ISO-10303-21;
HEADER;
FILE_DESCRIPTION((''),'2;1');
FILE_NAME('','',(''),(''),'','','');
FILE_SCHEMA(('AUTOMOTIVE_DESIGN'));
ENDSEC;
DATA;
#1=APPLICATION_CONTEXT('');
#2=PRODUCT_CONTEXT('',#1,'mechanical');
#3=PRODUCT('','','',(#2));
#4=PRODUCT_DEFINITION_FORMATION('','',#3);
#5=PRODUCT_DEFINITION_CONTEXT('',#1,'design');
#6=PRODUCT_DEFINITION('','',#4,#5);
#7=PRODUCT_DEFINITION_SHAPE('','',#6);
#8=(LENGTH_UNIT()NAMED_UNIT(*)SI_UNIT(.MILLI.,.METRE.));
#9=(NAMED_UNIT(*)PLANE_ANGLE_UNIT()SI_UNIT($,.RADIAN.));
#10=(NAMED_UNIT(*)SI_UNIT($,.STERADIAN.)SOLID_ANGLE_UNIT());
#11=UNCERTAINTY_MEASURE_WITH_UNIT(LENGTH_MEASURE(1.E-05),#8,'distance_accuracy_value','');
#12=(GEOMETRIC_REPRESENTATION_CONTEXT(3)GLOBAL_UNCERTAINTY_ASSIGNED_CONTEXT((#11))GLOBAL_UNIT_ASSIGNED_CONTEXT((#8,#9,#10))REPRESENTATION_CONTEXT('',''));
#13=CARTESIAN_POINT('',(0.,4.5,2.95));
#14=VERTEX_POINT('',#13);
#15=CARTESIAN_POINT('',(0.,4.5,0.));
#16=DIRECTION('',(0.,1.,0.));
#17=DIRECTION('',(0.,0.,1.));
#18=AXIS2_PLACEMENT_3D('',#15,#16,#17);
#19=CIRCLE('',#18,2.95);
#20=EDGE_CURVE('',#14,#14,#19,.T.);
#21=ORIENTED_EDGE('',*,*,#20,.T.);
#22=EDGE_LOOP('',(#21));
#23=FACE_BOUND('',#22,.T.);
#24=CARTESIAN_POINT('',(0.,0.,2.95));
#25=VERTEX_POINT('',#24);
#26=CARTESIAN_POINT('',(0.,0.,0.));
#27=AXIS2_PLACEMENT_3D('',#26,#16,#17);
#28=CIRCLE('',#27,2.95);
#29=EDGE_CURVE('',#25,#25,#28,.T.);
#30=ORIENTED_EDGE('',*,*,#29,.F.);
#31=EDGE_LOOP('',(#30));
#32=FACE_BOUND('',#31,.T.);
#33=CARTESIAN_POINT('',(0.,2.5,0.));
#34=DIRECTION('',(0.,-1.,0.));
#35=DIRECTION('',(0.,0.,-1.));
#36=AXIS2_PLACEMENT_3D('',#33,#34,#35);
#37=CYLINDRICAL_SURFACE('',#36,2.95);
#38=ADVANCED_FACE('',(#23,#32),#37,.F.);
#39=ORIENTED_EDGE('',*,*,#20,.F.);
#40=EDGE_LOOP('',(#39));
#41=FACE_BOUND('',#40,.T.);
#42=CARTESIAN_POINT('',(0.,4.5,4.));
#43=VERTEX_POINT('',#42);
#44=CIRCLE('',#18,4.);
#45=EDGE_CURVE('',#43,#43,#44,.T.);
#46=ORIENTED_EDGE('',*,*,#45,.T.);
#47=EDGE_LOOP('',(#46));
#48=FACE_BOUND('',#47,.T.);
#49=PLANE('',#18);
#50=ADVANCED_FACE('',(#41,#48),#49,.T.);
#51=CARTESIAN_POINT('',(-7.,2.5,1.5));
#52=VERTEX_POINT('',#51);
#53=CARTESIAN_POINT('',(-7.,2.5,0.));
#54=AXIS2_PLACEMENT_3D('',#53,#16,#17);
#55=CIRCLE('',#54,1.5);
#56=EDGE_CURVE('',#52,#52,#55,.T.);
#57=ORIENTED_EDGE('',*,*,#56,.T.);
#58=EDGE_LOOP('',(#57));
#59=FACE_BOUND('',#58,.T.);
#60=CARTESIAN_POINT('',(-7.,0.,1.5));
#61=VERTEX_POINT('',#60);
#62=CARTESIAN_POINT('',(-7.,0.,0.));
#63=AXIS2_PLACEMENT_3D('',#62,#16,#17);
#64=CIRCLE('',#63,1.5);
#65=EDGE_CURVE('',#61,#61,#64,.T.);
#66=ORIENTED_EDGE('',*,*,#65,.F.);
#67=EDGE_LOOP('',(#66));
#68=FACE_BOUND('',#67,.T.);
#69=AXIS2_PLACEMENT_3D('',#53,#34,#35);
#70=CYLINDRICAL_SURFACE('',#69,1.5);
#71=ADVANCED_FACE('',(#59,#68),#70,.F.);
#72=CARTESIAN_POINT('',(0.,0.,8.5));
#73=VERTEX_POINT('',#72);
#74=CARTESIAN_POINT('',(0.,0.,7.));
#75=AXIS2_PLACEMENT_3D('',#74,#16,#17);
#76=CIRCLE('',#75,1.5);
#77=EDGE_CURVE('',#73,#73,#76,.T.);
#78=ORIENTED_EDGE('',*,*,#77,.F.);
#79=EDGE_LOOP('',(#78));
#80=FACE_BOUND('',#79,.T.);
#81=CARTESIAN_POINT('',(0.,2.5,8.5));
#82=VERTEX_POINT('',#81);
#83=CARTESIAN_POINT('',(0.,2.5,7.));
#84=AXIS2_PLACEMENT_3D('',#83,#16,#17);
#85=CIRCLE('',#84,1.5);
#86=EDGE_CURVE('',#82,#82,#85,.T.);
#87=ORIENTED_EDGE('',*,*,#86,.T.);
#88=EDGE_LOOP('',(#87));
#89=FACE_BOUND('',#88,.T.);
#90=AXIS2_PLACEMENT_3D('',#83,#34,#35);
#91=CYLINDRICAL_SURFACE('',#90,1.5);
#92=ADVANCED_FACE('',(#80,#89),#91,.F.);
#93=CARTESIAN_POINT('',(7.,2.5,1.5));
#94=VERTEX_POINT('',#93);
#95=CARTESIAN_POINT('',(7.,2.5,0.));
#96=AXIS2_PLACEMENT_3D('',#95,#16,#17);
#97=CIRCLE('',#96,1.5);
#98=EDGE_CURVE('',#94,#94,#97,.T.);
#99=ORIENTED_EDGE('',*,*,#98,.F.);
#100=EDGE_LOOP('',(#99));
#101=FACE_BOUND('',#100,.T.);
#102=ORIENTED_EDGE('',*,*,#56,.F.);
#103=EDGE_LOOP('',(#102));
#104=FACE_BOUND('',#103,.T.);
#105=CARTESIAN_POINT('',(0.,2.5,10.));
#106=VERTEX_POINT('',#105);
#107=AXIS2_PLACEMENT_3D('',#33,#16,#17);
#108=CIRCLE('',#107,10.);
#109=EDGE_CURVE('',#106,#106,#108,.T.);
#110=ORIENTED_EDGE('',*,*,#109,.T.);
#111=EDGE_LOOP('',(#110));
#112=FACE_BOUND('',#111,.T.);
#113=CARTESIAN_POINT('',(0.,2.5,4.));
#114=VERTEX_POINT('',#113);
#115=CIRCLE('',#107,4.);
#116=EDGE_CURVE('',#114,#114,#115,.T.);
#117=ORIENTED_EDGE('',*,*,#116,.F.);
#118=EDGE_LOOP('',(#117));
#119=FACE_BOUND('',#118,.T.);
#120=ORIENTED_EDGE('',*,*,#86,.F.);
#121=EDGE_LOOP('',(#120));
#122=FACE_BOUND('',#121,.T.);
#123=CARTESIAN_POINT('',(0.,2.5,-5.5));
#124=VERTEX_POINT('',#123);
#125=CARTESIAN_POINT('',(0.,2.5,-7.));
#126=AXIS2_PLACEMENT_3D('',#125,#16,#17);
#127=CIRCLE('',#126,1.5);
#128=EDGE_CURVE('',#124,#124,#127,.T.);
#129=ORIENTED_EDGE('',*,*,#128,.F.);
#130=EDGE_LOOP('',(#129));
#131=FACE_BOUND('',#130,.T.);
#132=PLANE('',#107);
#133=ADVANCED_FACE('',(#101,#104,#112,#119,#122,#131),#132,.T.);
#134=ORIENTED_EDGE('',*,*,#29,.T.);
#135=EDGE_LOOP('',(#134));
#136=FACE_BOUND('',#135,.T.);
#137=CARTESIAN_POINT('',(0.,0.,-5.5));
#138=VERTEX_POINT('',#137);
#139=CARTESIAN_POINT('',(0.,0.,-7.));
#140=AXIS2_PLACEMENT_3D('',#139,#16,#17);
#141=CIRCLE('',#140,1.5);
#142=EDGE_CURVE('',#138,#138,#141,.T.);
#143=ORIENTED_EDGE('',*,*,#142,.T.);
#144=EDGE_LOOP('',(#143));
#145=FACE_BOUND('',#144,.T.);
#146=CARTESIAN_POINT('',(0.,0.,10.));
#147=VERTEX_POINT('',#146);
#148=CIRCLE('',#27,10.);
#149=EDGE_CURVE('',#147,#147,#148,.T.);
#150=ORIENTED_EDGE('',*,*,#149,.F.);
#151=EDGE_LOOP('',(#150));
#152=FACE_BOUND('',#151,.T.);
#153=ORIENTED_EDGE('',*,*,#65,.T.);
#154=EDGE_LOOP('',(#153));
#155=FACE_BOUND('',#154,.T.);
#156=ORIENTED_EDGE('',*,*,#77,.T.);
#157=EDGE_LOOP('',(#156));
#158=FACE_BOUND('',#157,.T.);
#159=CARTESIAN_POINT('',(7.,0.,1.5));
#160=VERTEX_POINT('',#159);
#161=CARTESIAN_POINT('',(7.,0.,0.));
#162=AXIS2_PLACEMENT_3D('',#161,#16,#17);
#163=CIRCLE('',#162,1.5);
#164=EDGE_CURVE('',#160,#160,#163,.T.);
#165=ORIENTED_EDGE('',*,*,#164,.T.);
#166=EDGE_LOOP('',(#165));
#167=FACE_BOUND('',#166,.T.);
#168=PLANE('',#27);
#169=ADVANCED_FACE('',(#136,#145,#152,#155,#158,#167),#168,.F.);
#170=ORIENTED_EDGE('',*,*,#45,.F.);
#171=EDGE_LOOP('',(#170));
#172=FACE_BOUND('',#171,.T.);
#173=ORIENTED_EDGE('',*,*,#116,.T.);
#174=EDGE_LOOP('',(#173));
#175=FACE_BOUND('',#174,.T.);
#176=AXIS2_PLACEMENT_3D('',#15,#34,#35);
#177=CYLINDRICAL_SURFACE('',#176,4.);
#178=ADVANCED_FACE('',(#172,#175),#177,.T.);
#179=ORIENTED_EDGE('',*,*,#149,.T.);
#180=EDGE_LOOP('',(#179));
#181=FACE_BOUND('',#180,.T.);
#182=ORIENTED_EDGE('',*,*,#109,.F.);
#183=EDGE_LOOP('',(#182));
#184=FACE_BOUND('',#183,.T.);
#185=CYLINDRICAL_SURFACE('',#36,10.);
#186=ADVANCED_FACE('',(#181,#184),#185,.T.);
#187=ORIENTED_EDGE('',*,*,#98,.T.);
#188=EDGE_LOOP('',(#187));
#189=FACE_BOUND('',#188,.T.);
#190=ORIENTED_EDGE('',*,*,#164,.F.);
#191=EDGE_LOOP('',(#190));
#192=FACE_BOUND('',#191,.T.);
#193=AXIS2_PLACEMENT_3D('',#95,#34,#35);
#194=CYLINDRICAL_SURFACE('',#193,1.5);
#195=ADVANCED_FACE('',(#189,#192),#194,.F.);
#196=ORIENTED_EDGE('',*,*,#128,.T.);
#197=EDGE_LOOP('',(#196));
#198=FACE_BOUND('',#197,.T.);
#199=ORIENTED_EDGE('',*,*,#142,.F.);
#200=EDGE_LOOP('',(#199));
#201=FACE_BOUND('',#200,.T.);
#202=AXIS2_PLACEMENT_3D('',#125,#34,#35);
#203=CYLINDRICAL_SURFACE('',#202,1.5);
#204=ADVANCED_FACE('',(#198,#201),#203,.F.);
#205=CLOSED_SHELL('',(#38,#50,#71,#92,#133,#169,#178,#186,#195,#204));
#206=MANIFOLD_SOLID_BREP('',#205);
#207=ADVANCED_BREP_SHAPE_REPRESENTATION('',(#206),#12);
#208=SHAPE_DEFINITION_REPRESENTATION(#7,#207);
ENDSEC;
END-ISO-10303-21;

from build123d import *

# Parameters (mm, degrees)
SKETCH_1_R      = 10
SKETCH_1_R_2    = 1.5
SKETCH_1_R_3    = 2.95
EXTRUDE_1_DEPTH = 2.5
SKETCH_2_R      = 4
SKETCH_2_R_2    = 2.95
EXTRUDE_2_DEPTH = 2


with BuildPart() as part:
    # Эскиз1 → Бобышка-Вытянуть1 (new body)
    with BuildSketch(Plane(origin=(0, 0, 0), x_dir=(1, 0, 0), z_dir=(0, 1, 0))):
        Circle(SKETCH_1_R)
        with Locations((-7, 0)):
            Circle(SKETCH_1_R_2, mode=Mode.SUBTRACT)
        with Locations((0, 7)):
            Circle(SKETCH_1_R_2, mode=Mode.SUBTRACT)
        with Locations((0, -7)):
            Circle(SKETCH_1_R_2, mode=Mode.SUBTRACT)
        with Locations((7, 0)):
            Circle(SKETCH_1_R_2, mode=Mode.SUBTRACT)
        Circle(SKETCH_1_R_3, mode=Mode.SUBTRACT)
    extrude(amount=EXTRUDE_1_DEPTH)

    # Эскиз2 → Бобышка-Вытянуть2 (add)
    with BuildSketch(Plane(origin=(0, 2.5, 0), x_dir=(1, 0, 0), z_dir=(0, 1, 0))):
        Circle(SKETCH_2_R)
        Circle(SKETCH_2_R_2, mode=Mode.SUBTRACT)
    extrude(amount=EXTRUDE_2_DEPTH)


solid = part.part
